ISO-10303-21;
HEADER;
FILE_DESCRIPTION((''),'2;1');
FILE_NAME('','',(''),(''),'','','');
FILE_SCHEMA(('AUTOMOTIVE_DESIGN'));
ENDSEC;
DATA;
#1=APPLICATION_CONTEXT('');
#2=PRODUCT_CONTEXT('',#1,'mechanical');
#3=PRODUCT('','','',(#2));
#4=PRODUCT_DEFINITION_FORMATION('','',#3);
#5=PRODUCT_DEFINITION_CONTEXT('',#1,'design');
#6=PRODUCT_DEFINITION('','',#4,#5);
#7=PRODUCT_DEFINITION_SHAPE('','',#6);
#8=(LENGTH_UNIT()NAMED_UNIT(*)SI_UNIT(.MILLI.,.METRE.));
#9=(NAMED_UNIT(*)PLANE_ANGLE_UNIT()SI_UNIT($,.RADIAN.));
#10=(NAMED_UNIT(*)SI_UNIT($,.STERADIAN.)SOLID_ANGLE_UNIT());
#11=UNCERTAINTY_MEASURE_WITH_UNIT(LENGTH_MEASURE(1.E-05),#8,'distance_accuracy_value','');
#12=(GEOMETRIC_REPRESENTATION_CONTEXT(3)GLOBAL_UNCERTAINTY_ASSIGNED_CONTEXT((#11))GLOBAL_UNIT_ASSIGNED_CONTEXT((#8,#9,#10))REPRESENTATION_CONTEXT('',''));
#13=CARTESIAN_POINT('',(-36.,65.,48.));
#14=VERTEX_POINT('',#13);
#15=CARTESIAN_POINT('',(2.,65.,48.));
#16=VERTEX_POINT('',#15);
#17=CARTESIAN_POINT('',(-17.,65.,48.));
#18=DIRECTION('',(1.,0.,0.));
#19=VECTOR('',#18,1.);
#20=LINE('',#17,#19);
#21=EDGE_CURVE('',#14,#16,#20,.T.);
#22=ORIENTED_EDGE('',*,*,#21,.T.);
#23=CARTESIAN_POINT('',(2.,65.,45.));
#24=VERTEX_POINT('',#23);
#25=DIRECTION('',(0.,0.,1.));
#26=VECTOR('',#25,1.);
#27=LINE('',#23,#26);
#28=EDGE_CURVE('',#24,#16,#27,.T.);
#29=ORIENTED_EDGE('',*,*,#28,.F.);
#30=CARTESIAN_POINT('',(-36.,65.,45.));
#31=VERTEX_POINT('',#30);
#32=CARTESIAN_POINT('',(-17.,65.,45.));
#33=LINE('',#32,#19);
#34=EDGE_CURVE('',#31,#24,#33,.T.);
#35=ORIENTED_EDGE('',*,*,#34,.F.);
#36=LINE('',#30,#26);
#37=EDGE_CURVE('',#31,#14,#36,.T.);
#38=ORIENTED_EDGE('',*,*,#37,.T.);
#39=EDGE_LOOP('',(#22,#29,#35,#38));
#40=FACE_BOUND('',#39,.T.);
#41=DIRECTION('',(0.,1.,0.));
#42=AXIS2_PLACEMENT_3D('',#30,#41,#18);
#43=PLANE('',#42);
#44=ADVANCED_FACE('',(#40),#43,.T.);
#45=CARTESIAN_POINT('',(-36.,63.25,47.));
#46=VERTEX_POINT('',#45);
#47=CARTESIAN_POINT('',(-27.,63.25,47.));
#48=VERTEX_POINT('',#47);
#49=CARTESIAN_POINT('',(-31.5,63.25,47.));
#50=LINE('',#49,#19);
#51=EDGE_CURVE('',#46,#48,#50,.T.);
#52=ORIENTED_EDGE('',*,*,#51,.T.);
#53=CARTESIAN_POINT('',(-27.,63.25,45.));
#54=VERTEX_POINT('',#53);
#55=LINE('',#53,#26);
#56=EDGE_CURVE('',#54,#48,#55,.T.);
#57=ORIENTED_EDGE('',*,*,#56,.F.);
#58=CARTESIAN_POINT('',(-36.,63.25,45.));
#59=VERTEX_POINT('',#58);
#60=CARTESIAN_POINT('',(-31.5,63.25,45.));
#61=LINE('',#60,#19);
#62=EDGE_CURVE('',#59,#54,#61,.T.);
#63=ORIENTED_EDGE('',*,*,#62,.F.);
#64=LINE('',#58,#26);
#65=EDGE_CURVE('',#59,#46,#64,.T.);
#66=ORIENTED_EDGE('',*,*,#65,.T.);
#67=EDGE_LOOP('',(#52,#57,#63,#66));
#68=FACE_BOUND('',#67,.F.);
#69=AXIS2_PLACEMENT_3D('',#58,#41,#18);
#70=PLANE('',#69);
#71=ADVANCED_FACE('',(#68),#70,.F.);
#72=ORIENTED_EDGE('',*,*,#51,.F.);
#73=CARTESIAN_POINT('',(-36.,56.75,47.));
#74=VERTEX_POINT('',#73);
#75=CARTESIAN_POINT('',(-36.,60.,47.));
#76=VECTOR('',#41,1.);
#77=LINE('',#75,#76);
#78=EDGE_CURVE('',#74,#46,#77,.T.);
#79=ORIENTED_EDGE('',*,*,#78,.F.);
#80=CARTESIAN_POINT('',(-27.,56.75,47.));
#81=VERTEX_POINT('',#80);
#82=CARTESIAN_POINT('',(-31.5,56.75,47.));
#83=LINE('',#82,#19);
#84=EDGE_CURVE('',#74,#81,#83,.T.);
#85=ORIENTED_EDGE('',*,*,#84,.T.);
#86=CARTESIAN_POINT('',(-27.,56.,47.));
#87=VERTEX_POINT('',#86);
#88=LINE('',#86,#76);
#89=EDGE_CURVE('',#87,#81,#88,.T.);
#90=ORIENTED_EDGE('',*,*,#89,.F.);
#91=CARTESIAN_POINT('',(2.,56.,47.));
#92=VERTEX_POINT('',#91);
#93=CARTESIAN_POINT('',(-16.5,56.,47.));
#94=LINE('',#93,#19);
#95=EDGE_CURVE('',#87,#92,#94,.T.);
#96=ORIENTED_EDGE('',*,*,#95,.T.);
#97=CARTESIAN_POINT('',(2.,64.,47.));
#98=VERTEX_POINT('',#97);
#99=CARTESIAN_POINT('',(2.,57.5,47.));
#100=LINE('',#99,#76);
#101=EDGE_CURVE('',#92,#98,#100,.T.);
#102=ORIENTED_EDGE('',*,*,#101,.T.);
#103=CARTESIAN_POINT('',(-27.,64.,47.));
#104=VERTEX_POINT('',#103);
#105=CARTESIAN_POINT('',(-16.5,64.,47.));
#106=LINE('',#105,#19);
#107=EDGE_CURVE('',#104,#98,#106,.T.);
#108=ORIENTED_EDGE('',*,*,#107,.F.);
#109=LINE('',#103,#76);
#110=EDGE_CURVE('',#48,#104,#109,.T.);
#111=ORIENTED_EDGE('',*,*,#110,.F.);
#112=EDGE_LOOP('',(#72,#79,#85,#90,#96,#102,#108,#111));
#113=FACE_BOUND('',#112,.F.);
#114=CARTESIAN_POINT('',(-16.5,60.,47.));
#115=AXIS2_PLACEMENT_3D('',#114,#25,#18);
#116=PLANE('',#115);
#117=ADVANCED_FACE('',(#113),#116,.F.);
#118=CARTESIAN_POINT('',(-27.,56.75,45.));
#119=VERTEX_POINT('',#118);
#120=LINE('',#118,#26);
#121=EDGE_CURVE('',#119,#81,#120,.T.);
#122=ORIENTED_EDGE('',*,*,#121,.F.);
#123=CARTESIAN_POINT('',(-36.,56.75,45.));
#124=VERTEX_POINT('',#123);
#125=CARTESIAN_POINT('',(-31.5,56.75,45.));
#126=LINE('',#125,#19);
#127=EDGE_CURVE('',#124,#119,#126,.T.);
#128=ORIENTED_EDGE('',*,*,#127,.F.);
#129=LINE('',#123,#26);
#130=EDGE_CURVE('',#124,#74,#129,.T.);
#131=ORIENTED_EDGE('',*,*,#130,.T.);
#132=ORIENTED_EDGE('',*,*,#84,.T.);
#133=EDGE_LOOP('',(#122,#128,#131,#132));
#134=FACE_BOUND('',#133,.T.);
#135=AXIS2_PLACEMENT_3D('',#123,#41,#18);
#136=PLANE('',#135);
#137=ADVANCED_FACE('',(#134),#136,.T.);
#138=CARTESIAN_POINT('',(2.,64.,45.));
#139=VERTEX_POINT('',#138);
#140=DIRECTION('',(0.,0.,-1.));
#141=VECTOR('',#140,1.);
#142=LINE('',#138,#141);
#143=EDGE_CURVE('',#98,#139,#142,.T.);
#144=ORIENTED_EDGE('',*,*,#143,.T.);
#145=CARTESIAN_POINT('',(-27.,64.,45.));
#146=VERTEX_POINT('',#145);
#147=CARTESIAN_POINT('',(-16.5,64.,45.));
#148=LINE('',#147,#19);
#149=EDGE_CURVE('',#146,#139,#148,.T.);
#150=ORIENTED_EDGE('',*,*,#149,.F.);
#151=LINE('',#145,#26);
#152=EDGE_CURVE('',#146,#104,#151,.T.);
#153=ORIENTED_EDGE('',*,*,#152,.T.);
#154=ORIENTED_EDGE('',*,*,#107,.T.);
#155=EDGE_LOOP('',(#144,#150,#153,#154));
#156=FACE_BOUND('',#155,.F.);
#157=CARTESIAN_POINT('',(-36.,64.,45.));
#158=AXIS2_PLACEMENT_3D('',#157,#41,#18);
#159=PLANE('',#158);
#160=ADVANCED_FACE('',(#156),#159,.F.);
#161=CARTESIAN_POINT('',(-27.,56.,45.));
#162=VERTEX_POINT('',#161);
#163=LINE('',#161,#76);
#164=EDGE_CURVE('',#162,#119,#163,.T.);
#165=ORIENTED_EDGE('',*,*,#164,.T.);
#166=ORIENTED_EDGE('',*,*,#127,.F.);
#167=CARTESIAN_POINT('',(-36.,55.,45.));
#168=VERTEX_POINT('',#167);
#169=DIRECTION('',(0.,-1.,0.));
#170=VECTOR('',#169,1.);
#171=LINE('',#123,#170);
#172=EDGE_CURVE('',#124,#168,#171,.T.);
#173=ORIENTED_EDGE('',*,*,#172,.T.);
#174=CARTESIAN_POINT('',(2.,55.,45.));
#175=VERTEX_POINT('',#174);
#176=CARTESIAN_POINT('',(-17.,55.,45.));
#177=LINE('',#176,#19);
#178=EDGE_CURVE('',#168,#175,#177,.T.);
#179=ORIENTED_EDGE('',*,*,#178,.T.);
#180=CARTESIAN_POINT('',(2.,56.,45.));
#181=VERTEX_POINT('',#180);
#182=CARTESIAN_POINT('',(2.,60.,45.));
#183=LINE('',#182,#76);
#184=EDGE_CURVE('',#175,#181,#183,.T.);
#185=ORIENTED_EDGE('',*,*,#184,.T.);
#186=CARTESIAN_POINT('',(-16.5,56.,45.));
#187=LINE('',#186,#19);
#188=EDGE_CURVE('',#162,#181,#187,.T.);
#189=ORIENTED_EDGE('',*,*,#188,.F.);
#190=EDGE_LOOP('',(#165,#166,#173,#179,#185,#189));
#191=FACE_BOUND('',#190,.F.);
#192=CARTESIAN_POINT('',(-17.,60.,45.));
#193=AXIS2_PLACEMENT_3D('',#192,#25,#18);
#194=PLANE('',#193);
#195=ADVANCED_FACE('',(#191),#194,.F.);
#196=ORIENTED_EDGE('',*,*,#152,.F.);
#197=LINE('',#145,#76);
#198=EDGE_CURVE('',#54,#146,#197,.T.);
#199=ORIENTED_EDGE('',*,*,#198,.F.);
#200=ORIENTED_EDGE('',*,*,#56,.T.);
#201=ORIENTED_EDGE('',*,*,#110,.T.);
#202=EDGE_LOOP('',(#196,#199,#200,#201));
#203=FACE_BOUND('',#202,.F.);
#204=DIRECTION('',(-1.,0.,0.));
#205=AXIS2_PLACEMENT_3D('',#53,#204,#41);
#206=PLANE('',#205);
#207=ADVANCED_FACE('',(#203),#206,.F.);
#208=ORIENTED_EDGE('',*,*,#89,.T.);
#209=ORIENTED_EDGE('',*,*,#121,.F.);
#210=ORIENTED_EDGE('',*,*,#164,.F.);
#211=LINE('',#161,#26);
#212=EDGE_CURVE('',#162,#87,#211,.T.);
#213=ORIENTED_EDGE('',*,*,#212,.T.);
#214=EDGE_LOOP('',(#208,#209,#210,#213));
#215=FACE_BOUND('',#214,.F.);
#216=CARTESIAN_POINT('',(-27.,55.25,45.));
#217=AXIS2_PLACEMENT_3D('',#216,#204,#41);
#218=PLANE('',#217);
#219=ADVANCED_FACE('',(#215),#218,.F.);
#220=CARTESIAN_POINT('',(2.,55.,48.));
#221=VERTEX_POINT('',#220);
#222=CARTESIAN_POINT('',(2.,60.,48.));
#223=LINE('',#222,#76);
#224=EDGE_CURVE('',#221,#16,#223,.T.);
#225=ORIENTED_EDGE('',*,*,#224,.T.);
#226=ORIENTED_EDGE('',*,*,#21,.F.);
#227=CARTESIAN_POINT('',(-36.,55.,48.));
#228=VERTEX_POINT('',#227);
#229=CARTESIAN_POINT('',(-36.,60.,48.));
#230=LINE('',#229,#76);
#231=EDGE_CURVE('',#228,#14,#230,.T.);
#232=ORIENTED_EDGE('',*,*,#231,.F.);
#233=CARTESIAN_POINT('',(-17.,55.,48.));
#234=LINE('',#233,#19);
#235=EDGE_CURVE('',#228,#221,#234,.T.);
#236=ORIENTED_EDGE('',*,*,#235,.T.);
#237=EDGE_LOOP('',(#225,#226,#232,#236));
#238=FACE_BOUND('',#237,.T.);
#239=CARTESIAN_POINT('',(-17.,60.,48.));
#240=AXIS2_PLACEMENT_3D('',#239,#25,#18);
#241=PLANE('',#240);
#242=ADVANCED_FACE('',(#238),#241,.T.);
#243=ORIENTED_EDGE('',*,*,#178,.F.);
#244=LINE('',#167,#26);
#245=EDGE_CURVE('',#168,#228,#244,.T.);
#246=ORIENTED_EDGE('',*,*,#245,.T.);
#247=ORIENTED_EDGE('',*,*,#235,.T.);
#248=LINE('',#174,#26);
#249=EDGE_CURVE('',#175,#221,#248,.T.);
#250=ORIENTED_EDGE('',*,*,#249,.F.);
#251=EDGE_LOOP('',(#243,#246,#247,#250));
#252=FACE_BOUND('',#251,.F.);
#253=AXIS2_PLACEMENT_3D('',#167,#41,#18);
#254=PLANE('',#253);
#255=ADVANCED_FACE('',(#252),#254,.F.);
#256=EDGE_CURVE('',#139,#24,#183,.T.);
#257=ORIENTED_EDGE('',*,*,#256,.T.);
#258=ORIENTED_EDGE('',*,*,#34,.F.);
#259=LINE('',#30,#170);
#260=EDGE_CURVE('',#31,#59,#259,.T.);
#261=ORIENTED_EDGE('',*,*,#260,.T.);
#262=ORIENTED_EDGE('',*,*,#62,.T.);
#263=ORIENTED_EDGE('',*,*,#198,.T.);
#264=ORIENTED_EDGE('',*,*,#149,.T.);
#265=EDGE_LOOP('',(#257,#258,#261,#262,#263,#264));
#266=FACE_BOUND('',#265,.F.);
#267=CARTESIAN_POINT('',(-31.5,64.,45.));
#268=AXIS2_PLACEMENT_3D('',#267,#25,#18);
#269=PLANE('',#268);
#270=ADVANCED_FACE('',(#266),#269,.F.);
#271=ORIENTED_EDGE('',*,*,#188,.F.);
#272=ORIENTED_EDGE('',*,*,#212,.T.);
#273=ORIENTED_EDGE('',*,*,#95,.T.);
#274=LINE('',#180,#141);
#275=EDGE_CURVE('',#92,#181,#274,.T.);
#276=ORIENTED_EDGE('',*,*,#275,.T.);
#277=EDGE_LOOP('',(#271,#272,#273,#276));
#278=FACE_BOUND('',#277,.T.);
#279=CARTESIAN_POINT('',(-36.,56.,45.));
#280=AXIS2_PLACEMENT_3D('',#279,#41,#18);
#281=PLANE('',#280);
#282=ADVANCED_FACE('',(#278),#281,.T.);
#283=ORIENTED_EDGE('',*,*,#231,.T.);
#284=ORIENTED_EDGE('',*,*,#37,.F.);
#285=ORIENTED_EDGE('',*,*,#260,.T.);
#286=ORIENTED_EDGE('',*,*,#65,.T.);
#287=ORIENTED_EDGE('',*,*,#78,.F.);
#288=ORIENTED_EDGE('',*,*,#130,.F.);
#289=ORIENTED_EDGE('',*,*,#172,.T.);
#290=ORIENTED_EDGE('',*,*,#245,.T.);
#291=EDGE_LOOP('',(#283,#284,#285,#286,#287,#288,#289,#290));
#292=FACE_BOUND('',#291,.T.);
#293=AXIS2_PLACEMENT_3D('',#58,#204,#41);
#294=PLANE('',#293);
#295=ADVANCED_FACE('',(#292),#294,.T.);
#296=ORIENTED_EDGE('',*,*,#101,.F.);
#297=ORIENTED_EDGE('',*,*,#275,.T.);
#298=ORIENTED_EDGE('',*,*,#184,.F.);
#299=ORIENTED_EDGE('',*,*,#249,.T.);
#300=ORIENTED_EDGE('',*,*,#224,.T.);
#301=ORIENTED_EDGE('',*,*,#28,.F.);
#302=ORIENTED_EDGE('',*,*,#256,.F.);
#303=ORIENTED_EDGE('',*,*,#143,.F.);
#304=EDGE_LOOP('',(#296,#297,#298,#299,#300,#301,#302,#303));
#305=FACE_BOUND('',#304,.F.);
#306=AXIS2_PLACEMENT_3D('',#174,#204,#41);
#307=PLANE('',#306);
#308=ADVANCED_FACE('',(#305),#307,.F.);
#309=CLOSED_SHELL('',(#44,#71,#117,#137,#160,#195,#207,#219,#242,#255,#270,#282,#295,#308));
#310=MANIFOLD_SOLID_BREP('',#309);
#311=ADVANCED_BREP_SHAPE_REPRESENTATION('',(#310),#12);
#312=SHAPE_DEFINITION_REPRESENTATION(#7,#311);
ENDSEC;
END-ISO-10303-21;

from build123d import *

# Parameters (mm, degrees)
BOX036_W     = 9
BOX036_H     = 1.5
BOX036_DEPTH = 2
BOX037_W     = 9
BOX037_H     = 1.5
BOX037_DEPTH = 2
BOX006_W     = 39
BOX006_H     = 8
BOX006_DEPTH = 2
BOX005_W     = 38
BOX005_H     = 10
BOX005_DEPTH = 3


with BuildPart() as cubo036:
    # Box036 → Box036 (new body)
    with BuildSketch(Plane(origin=(-36, 63.25, 45), x_dir=(1, 0, 0), z_dir=(0, 0, 1))):
        with Locations((4.5, 0.75)):
            Rectangle(BOX036_W, BOX036_H)
    extrude(amount=BOX036_DEPTH)


with BuildPart() as cubo037:
    # Box037 → Box037 (new body)
    with BuildSketch(Plane(origin=(-36, 55.25, 45), x_dir=(1, 0, 0), z_dir=(0, 0, 1))):
        with Locations((4.5, 0.75)):
            Rectangle(BOX037_W, BOX037_H)
    extrude(amount=BOX037_DEPTH)


with BuildPart() as cubo006:
    # Box006 → Box006 (new body)
    with BuildSketch(Plane(origin=(-37, 56, 45), x_dir=(1, 0, 0), z_dir=(0, 0, 1))):
        with Locations((19.5, 4)):
            Rectangle(BOX006_W, BOX006_H)
    extrude(amount=BOX006_DEPTH)


with BuildPart() as fusion002019:
    # Box005 → Box005 (new body)
    with BuildSketch(Plane(origin=(-37, 55, 45), x_dir=(1, 0, 0), z_dir=(0, 0, 1))):
        with Locations((19, 5)):
            Rectangle(BOX005_W, BOX005_H)
    extrude(amount=BOX005_DEPTH)

    # Cut054: cut Cubo006
    add(cubo006.part, mode=Mode.SUBTRACT)


with BuildPart() as fusion002019_1:
    # Cut054 placement: moved
    add(fusion002019.part.moved(Location((1, 0, 0))))

    # Fusion002019: union Cubo036, Cubo037
    add(cubo036.part)
    add(cubo037.part)


solid = fusion002019_1.part
